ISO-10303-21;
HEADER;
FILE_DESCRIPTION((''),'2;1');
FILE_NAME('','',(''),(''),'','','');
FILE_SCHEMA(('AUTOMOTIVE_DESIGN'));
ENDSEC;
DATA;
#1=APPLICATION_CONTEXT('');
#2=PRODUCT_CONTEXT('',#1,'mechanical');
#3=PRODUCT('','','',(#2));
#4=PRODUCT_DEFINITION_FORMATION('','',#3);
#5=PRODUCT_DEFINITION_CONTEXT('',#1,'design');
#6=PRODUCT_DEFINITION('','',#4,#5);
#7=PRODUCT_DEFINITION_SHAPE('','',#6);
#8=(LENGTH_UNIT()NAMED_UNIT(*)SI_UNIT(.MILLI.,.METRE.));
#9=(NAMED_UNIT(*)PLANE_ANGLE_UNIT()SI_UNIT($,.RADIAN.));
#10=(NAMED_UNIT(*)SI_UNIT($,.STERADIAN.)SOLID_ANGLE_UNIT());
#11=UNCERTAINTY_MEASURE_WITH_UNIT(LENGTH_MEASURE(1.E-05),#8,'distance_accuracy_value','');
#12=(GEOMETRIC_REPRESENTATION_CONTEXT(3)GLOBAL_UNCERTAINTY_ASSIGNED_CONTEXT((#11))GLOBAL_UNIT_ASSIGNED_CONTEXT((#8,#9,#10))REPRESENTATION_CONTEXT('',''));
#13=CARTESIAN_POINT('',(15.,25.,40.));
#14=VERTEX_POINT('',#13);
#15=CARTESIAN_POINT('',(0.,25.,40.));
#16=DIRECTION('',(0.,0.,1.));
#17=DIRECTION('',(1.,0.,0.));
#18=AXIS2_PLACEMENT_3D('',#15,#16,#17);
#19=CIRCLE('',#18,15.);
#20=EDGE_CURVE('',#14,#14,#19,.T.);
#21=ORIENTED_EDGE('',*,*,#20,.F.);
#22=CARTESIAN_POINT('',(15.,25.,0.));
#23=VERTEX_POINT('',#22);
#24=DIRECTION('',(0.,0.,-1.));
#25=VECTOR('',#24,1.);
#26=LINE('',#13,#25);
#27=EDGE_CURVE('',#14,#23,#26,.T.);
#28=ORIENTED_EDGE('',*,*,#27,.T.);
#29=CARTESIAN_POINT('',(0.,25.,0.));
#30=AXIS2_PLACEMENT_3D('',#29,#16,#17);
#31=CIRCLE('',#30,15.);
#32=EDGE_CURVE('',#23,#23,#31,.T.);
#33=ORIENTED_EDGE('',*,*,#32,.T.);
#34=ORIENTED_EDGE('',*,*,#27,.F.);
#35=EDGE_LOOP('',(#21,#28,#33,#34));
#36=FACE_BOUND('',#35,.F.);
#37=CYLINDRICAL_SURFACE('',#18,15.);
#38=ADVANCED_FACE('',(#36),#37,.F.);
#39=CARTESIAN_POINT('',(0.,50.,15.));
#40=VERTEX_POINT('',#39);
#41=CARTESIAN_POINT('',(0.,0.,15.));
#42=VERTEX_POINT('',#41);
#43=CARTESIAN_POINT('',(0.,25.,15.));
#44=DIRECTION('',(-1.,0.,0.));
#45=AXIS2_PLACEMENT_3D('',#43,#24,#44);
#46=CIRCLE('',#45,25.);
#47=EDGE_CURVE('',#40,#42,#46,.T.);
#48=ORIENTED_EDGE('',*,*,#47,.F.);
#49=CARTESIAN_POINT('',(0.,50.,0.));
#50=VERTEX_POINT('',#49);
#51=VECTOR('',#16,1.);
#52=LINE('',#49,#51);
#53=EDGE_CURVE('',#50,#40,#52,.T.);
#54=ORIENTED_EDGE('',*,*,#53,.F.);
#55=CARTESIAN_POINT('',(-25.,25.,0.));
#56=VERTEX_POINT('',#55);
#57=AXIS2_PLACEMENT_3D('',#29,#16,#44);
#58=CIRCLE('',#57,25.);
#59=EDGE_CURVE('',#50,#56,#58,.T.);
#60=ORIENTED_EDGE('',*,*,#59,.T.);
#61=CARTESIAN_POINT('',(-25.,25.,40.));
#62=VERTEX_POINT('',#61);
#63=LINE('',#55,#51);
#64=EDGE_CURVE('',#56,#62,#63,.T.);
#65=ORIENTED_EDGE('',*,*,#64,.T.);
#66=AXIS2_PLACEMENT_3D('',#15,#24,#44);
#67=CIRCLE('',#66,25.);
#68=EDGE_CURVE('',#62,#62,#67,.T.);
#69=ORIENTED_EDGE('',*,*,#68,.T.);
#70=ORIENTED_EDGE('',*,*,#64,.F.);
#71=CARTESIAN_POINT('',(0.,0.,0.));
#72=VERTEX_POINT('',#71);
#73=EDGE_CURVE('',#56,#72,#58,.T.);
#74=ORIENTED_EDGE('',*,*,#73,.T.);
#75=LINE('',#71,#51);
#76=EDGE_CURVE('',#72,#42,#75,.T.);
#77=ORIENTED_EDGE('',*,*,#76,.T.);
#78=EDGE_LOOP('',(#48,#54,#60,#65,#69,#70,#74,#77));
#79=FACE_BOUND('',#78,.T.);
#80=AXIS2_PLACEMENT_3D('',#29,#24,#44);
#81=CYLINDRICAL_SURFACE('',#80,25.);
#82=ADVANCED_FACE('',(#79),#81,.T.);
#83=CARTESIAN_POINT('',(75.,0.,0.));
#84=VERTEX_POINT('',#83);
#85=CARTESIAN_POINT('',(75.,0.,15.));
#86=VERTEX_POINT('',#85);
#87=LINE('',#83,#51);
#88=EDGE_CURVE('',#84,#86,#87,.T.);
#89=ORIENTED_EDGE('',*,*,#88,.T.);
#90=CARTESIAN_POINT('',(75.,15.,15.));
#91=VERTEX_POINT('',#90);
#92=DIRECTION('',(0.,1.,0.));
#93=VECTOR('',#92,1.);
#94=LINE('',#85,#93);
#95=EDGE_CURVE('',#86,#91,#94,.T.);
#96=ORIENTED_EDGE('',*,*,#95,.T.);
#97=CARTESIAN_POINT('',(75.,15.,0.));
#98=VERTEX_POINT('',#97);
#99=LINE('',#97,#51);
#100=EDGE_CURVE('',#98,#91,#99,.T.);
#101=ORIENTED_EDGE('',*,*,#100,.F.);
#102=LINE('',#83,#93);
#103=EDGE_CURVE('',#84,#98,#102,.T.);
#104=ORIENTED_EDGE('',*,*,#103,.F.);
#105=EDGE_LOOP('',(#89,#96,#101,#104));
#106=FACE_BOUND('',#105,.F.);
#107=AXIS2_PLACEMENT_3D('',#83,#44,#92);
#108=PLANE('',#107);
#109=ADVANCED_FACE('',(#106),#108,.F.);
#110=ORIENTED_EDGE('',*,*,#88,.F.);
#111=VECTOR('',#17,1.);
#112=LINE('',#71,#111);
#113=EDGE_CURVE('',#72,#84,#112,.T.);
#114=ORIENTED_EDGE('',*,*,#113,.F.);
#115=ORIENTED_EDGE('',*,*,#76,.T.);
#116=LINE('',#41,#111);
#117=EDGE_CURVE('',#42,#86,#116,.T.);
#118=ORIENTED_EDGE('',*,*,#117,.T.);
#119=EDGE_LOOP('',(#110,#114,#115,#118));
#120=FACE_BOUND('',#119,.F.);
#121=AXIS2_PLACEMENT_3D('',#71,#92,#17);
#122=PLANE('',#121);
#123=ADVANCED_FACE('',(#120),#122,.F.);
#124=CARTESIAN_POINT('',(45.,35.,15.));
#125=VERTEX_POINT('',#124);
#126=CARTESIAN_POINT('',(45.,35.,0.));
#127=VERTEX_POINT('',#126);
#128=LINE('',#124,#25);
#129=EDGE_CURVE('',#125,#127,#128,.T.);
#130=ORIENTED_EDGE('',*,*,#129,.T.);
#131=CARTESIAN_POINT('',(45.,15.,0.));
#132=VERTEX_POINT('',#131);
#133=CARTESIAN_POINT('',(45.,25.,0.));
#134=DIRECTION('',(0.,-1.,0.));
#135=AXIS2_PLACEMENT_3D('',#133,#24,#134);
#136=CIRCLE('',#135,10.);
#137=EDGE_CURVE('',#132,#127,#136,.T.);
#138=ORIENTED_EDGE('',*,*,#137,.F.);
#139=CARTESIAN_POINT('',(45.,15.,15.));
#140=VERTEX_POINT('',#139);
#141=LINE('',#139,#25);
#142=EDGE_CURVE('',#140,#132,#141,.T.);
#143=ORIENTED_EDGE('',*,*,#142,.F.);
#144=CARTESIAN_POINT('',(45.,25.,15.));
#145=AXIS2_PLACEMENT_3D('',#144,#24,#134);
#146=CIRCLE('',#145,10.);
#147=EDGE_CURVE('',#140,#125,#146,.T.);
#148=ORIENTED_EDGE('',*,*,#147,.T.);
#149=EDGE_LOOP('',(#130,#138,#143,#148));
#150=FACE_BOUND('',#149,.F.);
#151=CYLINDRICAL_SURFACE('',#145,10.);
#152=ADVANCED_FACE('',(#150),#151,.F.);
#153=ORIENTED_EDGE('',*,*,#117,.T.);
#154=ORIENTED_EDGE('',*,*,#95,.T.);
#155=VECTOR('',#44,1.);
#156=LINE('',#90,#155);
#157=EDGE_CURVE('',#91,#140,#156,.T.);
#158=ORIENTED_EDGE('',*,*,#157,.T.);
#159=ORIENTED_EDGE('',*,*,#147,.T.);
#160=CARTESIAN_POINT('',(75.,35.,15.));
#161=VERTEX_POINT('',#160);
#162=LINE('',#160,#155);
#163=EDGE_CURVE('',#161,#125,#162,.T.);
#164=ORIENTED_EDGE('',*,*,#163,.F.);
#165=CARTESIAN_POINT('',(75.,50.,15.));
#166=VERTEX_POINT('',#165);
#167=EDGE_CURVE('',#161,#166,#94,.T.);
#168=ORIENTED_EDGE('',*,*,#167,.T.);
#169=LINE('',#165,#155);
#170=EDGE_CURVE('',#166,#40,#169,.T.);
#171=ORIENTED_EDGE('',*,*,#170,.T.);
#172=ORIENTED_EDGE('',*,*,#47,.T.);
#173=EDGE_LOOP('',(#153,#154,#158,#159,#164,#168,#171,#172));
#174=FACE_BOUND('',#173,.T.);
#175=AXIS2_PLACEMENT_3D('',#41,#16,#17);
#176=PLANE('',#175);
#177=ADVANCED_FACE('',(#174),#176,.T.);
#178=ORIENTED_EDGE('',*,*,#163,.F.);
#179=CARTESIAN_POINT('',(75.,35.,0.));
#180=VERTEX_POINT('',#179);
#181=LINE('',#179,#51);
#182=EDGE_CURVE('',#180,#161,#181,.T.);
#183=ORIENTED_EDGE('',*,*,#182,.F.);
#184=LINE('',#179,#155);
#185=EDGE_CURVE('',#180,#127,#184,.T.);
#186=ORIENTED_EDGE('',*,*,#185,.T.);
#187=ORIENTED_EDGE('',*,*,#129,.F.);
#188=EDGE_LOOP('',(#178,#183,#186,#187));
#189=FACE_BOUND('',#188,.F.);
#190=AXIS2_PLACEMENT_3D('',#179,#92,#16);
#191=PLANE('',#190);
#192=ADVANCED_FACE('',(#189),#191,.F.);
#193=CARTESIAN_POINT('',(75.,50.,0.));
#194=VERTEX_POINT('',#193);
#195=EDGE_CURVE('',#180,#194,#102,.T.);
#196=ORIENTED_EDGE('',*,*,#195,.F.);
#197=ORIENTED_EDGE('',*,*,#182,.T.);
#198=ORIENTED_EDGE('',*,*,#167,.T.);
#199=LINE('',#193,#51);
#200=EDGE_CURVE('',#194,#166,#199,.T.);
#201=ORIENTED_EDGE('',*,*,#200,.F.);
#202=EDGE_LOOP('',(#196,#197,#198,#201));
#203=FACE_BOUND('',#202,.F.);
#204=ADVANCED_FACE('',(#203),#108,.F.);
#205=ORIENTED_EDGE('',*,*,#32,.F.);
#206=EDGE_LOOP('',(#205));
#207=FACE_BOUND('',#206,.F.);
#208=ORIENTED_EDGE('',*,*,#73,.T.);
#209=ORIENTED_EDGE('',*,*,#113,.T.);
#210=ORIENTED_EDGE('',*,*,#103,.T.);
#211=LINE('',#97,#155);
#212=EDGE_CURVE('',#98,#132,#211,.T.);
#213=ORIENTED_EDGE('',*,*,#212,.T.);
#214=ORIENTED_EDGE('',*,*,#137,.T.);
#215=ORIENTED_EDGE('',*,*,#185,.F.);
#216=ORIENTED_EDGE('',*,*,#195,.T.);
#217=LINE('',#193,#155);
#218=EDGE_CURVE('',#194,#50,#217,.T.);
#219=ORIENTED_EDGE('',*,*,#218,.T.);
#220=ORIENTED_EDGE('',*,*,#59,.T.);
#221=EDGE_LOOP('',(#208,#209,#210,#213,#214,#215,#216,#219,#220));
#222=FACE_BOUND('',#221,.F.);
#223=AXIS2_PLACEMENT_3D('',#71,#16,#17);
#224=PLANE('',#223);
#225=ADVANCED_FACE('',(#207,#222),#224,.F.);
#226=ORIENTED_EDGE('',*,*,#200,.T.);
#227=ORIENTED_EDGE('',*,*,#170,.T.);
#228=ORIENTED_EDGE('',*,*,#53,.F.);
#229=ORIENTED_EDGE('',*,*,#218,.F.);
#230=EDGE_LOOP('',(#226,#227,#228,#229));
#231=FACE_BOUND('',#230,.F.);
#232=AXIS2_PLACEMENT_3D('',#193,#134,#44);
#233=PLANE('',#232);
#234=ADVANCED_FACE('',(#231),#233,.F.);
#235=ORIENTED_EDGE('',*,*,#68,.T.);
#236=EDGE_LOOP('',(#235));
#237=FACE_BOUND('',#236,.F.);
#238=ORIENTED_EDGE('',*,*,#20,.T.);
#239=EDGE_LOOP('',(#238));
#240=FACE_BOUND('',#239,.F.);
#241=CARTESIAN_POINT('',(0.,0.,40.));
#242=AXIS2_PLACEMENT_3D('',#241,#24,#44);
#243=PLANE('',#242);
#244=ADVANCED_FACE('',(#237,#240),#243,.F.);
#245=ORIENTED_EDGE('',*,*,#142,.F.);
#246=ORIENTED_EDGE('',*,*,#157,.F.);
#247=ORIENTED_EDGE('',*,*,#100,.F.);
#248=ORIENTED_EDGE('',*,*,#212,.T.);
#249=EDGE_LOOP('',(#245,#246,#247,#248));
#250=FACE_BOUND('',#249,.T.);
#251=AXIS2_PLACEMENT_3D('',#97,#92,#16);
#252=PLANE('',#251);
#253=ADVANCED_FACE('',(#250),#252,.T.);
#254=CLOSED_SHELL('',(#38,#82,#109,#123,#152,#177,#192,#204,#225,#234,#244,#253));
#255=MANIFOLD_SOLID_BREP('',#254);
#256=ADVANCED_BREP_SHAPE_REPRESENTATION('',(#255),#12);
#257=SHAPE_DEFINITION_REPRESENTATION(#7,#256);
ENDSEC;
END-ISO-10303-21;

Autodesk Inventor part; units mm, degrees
ref_plane "YZ Plane" through (0, 0, 0) normal (1, 0, 0) x (0, 1, 0)
ref_plane "XZ Plane" through (0, 0, 0) normal (0, 1, 0) x (-1, 0, 0)
ref_plane "XY Plane" through (0, 0, 0) normal (0, 0, 1) x (1, 0, 0)
sketch "Sketch1" plane through (0, 0, 0) normal (0, 0, 1) x (1, 0, 0)
  point P0 (0, 0)
sketch "Sketch2" plane through (0, 0, 0) normal (0, 0, 1) x (1, 0, 0)
  line L0 (0, 0) -> (75, 0)
  line L1 (75, 0) -> (75, 50)
  line L2 (75, 50) -> (0, 50)
  line L3 (0, 50) -> (0, 0)
  dimension "d0" = 75
  dimension "d1" = 50
extrude "Extrusion1" add sketch "Sketch2" along normal blind 15
sketch "Sketch3" plane through (0, 0, 0) normal (0, 0, -1) x (-1, 0, 0)
  line L0 (0, 50) -> (0, 0) projected
  circle A0 centre (0, 25) radius 25
extrude "Extrusion2" add sketch "Sketch3" against normal blind 40
sketch "Sketch4" plane through (0, 25, 40) normal (0, 0, 1) x (1, 0, 0)
  circle A0 centre (0, 0) radius 25 projected
  circle A1 centre (0, 0) radius 15
  point P0 (0, -25)
  dimension "d6" = 30
extrude "Extrusion3" cut sketch "Sketch4" against normal through all contours A1
hole "Hole1" at (45, 25, 15) direction (0, 0, -1) diameter 20 end through all
sketch "Sketch5" plane through (75, 0, 0) normal (1, 0, 0) x (0, 0, -1)
  line L0 (0, 15) -> (-15, 15)
  line L1 (-15, 15) -> (0, 15)
  line L2 (0, 15) -> (0, 35)
  line L3 (0, 35) -> (-15, 35)
  line L4 (-15, 35) -> (-15, 15)
  dimension "d19" = 20
  dimension "d20" = 15
extrude "Extrusion4" cut sketch "Sketch5" against normal up to next
properties part number "Locator"
